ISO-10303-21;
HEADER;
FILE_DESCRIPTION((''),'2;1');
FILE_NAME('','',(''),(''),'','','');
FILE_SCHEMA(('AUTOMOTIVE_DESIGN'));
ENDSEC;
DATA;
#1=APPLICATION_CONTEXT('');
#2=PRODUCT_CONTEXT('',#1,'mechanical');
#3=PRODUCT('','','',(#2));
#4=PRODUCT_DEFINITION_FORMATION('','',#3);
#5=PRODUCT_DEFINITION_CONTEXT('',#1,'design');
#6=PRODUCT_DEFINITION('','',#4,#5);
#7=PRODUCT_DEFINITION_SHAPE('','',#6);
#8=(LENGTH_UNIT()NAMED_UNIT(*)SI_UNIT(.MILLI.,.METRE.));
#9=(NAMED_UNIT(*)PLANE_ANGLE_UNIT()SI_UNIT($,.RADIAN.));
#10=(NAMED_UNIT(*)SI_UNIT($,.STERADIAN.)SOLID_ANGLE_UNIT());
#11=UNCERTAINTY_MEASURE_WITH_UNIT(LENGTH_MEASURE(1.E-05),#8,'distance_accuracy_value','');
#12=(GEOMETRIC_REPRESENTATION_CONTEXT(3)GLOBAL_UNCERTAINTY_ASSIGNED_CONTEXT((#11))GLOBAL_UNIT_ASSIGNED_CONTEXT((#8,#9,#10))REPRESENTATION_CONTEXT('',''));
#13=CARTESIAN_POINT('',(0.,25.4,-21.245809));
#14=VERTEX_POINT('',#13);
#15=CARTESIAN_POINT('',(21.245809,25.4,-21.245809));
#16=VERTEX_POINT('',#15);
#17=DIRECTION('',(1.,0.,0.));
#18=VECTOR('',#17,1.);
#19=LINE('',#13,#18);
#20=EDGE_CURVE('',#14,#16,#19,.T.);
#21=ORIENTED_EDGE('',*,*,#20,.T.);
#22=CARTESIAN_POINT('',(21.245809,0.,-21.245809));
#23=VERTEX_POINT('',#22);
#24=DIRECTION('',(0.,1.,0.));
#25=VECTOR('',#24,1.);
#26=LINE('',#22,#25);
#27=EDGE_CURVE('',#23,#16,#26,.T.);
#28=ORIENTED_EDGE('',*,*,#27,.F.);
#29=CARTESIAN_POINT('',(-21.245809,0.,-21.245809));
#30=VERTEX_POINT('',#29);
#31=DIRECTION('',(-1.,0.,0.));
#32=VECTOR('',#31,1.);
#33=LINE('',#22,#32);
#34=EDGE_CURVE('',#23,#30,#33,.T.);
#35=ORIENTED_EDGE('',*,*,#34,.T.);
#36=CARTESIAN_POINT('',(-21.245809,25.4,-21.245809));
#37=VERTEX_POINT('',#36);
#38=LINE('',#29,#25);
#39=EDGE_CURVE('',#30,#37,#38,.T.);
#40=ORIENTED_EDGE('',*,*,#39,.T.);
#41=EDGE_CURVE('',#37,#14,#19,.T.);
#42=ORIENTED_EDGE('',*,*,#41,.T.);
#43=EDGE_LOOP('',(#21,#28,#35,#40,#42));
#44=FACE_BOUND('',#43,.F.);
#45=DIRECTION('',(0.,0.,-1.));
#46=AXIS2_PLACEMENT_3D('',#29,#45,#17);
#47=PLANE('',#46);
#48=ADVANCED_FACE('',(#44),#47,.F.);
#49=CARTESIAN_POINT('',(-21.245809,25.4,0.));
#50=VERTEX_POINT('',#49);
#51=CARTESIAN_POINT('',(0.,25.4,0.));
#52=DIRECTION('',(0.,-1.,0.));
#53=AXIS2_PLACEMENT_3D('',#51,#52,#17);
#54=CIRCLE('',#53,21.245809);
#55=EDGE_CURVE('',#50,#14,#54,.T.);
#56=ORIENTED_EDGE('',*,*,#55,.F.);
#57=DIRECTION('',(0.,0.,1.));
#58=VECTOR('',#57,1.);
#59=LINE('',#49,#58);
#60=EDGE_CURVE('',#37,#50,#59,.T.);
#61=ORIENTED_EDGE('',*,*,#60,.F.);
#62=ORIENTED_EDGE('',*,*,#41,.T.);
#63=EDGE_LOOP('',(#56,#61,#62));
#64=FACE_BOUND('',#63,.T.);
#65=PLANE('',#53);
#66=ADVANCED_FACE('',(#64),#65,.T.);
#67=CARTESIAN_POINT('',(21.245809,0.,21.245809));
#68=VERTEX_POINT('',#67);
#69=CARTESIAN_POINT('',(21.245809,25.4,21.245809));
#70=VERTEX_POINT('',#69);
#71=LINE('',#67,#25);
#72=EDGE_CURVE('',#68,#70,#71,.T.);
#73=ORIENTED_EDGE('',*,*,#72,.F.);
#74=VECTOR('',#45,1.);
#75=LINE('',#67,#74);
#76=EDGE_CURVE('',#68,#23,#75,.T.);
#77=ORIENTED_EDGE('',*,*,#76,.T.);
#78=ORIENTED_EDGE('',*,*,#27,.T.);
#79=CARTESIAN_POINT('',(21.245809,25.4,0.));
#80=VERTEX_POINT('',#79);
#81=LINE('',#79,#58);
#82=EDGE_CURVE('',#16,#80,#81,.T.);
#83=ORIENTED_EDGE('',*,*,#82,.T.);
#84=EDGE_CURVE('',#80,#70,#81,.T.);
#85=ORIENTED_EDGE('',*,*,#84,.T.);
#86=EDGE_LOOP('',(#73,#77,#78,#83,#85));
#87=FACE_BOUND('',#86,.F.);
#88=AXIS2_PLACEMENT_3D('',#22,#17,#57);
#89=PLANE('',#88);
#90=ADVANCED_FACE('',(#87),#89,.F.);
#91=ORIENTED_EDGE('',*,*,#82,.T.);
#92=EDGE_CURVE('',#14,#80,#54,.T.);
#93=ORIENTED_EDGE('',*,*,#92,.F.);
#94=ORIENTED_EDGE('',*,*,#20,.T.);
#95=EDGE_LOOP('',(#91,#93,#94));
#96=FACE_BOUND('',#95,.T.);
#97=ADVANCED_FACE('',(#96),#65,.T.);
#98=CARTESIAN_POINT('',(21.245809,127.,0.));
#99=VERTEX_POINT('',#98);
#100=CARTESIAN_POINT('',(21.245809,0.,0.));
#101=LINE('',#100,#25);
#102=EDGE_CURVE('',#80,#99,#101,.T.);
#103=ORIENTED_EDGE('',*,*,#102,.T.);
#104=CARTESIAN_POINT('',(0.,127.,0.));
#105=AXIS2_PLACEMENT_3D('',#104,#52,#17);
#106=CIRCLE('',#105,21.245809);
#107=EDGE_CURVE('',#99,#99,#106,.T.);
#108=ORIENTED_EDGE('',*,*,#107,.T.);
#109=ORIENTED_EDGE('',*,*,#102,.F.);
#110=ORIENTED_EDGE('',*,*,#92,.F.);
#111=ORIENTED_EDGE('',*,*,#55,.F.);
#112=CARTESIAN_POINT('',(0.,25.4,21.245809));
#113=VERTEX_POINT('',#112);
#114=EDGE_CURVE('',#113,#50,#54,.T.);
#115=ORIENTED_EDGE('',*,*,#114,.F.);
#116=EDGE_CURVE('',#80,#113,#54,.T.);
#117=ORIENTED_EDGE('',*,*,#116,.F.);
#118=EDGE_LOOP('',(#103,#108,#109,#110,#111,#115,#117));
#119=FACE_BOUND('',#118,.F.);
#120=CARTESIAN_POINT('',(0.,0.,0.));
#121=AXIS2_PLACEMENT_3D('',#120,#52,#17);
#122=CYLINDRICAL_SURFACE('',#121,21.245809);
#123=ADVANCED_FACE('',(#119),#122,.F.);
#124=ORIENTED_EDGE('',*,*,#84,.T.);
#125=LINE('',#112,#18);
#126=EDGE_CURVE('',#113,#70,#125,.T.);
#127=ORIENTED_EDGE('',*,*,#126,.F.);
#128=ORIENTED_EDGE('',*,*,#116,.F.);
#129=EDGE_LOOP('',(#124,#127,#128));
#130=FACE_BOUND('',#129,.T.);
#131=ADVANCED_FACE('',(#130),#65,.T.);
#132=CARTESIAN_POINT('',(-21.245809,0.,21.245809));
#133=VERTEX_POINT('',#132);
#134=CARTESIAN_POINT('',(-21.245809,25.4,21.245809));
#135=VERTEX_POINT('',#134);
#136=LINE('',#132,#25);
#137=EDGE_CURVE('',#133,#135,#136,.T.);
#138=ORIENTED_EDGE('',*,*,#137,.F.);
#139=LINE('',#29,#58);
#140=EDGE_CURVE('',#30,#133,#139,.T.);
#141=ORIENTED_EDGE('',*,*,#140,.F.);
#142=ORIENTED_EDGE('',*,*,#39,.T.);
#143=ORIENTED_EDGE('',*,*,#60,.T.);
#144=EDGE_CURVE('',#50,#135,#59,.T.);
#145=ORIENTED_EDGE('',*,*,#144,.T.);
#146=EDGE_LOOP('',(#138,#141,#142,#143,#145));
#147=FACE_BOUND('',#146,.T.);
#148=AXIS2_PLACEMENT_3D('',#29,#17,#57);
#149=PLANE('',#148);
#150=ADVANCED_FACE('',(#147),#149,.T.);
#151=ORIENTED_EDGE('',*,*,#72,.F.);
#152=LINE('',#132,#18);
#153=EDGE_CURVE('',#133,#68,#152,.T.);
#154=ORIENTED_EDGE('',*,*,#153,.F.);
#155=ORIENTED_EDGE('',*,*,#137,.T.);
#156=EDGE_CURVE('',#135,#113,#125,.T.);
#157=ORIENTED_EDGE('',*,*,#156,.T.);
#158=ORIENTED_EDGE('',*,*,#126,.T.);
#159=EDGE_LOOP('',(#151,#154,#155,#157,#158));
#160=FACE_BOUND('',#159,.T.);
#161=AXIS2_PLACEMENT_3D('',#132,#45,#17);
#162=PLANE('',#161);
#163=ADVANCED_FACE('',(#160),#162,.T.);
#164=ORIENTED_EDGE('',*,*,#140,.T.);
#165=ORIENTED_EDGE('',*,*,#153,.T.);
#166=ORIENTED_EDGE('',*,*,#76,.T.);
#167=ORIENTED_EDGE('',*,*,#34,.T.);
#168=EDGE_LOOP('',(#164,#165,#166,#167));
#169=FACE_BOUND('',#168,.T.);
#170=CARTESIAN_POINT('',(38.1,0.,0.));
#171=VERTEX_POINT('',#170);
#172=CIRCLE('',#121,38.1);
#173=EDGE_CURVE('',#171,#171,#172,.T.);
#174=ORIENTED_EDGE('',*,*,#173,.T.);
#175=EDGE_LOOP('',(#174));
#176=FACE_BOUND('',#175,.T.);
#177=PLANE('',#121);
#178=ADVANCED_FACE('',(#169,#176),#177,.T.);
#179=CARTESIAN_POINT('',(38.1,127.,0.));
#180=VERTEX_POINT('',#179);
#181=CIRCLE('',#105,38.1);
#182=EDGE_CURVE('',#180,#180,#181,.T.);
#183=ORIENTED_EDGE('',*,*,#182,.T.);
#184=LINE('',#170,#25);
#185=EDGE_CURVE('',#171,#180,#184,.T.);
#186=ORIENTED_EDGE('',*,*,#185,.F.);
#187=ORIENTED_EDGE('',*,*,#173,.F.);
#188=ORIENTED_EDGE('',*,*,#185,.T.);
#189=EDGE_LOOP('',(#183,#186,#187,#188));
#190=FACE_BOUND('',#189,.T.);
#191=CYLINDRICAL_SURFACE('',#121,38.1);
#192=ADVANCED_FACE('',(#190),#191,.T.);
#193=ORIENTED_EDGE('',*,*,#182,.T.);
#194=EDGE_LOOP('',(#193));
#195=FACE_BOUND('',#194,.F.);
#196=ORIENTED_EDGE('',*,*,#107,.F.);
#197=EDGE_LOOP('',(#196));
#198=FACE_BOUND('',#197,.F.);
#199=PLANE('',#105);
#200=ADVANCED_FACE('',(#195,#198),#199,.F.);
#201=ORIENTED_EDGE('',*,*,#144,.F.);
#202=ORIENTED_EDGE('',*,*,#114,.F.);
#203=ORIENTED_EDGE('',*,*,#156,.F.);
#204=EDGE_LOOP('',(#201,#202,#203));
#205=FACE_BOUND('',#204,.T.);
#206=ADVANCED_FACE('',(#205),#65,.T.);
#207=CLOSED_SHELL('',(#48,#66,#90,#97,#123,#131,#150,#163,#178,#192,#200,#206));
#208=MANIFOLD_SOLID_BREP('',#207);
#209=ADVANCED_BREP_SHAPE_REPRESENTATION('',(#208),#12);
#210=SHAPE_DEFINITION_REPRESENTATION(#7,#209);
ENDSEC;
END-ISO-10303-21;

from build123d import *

# Parameters (mm, degrees)
F0_R     = 38.1
F3_DEPTH = 127
F2_R     = 21.245809
F4_DEPTH = 127.001
F1_W     = 42.491618
F1_H     = 42.491618
F5_DEPTH = 25.4


with BuildPart() as f3:
    # F0 (on Front) → F3 (new body)
    with BuildSketch(Plane.XZ):
        Circle(F0_R)
    extrude(amount=-F3_DEPTH)

    # F2 (on Front) → F4 (cut, through all)
    with BuildSketch(Plane.XZ):
        Circle(F2_R)
    extrude(amount=-F4_DEPTH, mode=Mode.SUBTRACT)

    # F1 (on Front) → F5 (cut)
    with BuildSketch(Plane.XZ):
        Rectangle(F1_W, F1_H)
    extrude(amount=-F5_DEPTH, mode=Mode.SUBTRACT)


solid = f3.part
